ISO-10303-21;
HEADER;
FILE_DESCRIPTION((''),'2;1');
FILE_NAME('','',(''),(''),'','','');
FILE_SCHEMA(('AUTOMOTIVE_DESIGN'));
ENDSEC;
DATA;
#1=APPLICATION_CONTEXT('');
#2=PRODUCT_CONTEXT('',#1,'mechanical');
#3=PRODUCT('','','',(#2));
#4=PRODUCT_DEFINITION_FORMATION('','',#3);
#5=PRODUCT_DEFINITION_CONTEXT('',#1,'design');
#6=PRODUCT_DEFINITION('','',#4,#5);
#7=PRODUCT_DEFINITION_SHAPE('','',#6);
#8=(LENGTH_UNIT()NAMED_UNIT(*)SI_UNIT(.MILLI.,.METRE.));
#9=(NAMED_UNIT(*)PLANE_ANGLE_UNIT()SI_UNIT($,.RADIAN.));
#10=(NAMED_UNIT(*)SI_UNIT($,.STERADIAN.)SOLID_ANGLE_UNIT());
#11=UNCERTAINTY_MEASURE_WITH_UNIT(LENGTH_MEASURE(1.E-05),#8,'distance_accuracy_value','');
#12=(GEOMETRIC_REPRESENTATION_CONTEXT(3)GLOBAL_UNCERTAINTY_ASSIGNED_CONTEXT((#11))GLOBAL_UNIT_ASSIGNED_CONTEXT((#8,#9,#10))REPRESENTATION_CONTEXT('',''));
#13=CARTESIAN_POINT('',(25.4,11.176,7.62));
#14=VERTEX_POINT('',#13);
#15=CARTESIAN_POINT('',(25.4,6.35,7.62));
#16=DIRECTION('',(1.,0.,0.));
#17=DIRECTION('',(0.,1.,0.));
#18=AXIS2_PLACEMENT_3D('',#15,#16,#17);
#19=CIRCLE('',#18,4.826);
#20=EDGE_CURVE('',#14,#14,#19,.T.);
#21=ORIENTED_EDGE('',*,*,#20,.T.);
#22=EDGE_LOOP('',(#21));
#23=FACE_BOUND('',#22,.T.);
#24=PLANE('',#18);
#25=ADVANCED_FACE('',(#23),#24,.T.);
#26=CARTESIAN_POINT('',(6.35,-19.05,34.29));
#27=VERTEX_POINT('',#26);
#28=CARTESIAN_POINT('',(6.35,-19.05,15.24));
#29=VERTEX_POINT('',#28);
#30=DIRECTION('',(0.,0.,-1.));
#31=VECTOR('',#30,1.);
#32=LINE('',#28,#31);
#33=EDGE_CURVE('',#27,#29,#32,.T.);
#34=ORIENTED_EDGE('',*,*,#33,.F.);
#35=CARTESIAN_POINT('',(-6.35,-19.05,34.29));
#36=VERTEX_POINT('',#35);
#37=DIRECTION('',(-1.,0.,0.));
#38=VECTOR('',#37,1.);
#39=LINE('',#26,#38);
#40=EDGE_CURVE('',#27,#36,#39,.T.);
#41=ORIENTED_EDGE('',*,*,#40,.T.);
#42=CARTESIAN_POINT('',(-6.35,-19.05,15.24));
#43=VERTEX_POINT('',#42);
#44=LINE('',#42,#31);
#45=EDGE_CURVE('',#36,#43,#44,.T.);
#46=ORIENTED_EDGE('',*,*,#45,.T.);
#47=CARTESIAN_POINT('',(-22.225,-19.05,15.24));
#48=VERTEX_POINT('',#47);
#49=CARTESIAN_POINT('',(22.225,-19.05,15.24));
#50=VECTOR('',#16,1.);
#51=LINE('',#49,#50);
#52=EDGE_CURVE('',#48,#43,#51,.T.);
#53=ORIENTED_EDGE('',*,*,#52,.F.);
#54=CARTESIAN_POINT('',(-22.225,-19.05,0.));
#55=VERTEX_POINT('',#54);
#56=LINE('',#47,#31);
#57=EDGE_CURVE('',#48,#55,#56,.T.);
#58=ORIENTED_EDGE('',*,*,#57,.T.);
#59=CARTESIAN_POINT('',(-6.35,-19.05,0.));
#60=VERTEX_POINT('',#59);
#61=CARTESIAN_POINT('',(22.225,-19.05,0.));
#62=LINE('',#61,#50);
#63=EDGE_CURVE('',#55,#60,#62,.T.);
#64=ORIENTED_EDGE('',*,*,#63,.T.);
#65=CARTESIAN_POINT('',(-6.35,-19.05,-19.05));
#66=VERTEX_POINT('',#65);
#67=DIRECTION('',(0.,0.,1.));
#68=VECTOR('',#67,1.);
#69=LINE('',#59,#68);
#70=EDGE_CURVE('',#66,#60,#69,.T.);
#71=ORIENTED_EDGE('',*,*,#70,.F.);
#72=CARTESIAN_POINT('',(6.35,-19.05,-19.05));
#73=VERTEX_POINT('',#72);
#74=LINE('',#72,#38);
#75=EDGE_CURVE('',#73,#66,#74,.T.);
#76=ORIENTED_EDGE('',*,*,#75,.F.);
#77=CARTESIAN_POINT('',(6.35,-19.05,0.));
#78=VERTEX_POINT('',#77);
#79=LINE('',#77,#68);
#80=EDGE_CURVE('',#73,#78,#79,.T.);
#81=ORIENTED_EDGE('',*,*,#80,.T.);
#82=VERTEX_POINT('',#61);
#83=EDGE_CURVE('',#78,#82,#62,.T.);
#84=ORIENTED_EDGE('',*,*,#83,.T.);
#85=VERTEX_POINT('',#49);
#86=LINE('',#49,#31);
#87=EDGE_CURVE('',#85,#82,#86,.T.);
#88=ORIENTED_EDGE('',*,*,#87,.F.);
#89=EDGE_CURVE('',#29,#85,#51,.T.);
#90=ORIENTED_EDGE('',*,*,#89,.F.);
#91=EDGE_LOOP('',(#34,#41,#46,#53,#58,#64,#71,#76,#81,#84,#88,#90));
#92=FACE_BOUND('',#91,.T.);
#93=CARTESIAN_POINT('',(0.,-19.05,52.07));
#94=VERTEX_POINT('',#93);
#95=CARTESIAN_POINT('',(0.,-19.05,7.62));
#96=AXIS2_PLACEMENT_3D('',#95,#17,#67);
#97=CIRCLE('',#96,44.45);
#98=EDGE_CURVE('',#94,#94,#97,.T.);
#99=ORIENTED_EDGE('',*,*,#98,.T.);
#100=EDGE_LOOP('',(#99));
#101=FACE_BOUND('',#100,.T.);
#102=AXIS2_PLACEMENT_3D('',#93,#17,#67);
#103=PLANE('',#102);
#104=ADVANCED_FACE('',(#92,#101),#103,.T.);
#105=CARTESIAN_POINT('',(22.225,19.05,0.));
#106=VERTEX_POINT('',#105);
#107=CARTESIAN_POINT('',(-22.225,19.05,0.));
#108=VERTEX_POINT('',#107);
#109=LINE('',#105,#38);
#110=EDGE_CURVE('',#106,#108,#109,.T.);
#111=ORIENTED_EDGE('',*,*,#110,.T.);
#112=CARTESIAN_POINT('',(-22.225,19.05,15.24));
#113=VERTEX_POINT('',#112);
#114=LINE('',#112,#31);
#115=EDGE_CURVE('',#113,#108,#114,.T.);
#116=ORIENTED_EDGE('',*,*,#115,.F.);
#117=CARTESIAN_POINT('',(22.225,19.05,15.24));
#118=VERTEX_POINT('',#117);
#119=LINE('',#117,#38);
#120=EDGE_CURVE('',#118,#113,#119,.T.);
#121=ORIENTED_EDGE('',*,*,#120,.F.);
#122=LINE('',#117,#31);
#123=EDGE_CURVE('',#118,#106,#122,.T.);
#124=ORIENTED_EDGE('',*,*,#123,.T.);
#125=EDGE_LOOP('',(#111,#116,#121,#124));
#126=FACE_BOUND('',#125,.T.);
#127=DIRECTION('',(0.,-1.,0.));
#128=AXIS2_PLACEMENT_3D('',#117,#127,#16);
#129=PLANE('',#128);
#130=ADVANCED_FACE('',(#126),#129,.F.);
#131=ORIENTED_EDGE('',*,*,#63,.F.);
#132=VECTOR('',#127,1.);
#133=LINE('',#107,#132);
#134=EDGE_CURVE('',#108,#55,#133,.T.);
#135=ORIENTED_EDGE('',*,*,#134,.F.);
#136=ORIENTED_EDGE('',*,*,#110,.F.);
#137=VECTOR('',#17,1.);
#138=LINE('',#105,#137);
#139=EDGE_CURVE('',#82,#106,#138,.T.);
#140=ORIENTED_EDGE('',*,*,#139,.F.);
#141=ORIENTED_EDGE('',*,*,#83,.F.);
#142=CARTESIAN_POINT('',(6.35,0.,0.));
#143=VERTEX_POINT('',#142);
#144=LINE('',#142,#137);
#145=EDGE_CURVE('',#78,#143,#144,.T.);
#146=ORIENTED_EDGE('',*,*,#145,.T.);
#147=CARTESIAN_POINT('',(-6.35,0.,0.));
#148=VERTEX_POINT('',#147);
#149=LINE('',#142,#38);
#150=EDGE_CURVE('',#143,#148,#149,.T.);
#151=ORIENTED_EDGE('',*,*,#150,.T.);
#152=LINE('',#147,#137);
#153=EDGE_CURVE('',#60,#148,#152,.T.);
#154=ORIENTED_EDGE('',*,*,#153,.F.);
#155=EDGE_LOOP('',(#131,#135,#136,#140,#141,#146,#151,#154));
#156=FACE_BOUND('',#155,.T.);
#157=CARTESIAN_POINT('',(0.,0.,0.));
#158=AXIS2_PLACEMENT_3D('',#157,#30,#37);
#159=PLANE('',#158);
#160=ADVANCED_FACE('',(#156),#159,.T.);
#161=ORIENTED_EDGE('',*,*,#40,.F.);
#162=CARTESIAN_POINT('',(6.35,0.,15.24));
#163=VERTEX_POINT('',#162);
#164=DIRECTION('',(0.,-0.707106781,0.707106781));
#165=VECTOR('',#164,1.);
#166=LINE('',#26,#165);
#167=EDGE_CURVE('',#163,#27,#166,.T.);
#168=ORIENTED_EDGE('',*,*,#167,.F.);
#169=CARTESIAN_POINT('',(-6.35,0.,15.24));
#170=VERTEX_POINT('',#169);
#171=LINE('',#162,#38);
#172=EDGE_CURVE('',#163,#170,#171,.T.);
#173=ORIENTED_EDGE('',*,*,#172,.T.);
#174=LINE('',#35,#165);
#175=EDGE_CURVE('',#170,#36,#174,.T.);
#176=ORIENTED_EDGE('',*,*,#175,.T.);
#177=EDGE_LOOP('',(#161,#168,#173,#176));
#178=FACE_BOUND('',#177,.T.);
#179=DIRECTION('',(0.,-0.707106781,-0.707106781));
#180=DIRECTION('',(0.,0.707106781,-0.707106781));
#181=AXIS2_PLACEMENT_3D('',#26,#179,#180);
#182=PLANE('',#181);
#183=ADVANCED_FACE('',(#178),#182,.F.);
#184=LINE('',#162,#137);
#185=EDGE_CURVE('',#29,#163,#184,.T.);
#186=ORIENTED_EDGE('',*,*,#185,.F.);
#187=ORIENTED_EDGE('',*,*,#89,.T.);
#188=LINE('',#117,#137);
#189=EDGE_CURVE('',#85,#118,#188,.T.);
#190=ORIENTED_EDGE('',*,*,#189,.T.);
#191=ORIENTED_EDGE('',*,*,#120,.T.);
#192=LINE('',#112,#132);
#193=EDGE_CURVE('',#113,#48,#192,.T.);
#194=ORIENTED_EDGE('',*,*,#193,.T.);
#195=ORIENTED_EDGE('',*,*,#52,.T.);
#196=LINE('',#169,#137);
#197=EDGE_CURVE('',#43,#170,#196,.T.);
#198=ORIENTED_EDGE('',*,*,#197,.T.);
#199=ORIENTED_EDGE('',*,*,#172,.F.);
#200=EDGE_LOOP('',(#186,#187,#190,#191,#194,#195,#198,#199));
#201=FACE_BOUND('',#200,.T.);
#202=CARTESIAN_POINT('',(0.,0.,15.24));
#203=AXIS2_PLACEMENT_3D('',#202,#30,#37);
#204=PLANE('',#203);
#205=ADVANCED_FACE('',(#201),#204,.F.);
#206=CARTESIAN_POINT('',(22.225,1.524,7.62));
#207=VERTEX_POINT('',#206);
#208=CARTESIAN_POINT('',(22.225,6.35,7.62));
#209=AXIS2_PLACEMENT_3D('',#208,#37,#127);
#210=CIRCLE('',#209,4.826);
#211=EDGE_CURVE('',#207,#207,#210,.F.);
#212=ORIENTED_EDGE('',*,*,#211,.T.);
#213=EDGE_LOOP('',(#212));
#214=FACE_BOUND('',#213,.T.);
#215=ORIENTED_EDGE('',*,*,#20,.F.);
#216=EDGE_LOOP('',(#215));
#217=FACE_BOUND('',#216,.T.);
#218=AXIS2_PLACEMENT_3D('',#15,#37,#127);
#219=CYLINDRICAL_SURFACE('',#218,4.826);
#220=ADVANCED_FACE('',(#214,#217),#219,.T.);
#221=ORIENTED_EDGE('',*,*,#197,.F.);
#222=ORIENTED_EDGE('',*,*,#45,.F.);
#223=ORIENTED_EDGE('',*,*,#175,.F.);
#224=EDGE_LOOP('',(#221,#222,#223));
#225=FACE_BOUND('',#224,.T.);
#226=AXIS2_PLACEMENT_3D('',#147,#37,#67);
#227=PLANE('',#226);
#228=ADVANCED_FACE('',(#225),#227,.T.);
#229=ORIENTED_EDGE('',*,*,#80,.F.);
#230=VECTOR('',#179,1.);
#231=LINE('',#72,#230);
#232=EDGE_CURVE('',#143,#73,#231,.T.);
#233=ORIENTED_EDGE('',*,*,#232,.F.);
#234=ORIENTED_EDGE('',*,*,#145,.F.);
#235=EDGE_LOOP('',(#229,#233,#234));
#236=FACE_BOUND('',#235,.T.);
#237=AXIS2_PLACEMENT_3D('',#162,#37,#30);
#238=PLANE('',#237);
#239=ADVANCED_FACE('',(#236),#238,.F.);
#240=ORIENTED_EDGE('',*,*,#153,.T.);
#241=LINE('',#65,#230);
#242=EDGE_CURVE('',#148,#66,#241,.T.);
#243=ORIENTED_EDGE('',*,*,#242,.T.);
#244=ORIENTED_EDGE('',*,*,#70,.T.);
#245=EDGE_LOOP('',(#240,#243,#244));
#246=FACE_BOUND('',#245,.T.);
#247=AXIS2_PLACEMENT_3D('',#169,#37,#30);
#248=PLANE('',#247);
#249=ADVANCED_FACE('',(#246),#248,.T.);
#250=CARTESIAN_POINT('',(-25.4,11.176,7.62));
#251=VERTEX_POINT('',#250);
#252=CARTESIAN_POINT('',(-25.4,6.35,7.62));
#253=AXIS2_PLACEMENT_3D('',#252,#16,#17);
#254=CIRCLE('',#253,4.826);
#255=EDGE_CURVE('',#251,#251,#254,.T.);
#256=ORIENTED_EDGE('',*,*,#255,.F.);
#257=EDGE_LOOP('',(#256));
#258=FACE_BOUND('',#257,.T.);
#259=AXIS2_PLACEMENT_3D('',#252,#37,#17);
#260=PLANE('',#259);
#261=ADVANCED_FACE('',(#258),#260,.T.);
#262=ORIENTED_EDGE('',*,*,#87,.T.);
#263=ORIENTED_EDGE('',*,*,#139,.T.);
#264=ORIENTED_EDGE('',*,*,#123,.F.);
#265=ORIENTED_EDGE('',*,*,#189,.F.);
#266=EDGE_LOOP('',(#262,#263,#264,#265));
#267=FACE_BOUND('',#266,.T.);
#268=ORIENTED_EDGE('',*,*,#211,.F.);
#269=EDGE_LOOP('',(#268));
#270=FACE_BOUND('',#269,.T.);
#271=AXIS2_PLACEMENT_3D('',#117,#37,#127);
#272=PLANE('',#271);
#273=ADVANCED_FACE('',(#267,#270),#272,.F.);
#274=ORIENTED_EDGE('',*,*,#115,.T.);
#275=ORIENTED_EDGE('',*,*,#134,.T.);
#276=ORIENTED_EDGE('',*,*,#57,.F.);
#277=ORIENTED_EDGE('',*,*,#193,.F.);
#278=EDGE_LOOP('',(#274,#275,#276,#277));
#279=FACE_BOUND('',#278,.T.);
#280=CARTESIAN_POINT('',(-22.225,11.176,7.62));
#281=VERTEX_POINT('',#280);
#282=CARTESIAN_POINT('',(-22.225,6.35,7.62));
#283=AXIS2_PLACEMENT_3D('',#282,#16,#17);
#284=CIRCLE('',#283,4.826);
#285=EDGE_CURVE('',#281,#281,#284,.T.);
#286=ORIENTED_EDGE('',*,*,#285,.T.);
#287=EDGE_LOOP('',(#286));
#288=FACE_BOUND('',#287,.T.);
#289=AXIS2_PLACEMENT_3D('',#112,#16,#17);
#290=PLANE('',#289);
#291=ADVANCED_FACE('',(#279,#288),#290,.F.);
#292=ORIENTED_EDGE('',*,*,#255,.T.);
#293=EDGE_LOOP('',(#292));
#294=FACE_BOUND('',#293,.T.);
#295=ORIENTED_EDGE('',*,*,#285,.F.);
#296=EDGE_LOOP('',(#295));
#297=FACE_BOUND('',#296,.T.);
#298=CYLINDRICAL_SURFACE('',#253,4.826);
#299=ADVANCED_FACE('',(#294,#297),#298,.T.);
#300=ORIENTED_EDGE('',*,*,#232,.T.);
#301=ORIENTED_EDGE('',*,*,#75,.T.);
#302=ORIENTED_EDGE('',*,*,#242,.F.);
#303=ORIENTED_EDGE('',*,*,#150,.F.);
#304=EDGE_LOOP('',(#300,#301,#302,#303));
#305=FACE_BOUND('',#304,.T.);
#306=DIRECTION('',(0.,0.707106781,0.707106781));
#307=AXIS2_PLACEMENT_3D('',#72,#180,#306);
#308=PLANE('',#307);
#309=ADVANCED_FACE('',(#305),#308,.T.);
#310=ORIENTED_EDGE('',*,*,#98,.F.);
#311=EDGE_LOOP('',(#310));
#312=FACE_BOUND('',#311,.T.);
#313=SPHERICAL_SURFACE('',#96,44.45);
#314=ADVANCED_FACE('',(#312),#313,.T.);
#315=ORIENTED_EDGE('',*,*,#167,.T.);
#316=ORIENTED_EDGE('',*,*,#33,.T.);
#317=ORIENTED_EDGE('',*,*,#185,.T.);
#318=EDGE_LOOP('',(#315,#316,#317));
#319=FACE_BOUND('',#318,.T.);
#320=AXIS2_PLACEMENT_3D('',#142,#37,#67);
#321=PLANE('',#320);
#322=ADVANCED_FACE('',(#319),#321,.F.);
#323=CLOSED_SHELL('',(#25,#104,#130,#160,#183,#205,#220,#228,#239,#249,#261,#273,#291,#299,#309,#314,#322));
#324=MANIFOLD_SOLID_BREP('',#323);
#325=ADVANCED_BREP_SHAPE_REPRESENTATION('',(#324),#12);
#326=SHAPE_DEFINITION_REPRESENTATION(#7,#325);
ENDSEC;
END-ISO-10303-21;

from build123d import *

# Parameters (mm, degrees)
SKETCH1_W           = 44.45
SKETCH1_H           = 38.1
BOSS_EXTRUDE1_DEPTH = 15.24
SKETCH2_R           = 4.826
BOSS_EXTRUDE2_DEPTH = 3.175
BOSS_EXTRUDE3_DEPTH = 6.35


with BuildPart() as part:
    # Sketch1 → Boss-Extrude1 (new body)
    with BuildSketch(Plane.XY):
        Rectangle(SKETCH1_W, SKETCH1_H)
    extrude(amount=BOSS_EXTRUDE1_DEPTH)

    # Sketch2 → Boss-Extrude2 (add)
    with BuildSketch(Plane(origin=(22.225, 0, 0), x_dir=(0, 0, -1), z_dir=(1, 0, 0))):
        with Locations((-7.62, 6.35)):
            Circle(SKETCH2_R)
    boss_extrude2 = extrude(amount=BOSS_EXTRUDE2_DEPTH)

    # Mirror1: Boss-Extrude2 across plane
    add(boss_extrude2.mirror(Plane(origin=(0, 0, 0), x_dir=(0, 0, 1), z_dir=(1, 0, 0))))

    # Sketch5 → Revolve1 (revolve)
    with BuildSketch(Plane(origin=(0, 0, 0), x_dir=(0, 0, -1), z_dir=(1, 0, 0))):
        with BuildLine():
            Line((-52.07, -19.05), (-7.62, -19.05))
            Line((-7.62, -19.05), (-7.62, -63.5))
            ThreePointArc((-7.62, -63.5), (-39.050896424, -50.480896424), (-52.07, -19.05))
        make_face()
    revolve(axis=Axis((0, -19.05, 7.62), (0, -1, 0)))

    # Sketch7 → Boss-Extrude3 (add, symmetric)
    with BuildSketch(Plane(origin=(0, 0, 0), x_dir=(0, 0, -1), z_dir=(1, 0, 0))):
        Polygon((-15.24, 0), (-15.24, -19.05), (-34.29, -19.05), align=None)
    boss_extrude3 = extrude(amount=BOSS_EXTRUDE3_DEPTH, both=True)

    # Mirror3: Boss-Extrude3 across plane
    add(boss_extrude3.mirror(Plane.XY.offset(7.62)))


solid = part.part
